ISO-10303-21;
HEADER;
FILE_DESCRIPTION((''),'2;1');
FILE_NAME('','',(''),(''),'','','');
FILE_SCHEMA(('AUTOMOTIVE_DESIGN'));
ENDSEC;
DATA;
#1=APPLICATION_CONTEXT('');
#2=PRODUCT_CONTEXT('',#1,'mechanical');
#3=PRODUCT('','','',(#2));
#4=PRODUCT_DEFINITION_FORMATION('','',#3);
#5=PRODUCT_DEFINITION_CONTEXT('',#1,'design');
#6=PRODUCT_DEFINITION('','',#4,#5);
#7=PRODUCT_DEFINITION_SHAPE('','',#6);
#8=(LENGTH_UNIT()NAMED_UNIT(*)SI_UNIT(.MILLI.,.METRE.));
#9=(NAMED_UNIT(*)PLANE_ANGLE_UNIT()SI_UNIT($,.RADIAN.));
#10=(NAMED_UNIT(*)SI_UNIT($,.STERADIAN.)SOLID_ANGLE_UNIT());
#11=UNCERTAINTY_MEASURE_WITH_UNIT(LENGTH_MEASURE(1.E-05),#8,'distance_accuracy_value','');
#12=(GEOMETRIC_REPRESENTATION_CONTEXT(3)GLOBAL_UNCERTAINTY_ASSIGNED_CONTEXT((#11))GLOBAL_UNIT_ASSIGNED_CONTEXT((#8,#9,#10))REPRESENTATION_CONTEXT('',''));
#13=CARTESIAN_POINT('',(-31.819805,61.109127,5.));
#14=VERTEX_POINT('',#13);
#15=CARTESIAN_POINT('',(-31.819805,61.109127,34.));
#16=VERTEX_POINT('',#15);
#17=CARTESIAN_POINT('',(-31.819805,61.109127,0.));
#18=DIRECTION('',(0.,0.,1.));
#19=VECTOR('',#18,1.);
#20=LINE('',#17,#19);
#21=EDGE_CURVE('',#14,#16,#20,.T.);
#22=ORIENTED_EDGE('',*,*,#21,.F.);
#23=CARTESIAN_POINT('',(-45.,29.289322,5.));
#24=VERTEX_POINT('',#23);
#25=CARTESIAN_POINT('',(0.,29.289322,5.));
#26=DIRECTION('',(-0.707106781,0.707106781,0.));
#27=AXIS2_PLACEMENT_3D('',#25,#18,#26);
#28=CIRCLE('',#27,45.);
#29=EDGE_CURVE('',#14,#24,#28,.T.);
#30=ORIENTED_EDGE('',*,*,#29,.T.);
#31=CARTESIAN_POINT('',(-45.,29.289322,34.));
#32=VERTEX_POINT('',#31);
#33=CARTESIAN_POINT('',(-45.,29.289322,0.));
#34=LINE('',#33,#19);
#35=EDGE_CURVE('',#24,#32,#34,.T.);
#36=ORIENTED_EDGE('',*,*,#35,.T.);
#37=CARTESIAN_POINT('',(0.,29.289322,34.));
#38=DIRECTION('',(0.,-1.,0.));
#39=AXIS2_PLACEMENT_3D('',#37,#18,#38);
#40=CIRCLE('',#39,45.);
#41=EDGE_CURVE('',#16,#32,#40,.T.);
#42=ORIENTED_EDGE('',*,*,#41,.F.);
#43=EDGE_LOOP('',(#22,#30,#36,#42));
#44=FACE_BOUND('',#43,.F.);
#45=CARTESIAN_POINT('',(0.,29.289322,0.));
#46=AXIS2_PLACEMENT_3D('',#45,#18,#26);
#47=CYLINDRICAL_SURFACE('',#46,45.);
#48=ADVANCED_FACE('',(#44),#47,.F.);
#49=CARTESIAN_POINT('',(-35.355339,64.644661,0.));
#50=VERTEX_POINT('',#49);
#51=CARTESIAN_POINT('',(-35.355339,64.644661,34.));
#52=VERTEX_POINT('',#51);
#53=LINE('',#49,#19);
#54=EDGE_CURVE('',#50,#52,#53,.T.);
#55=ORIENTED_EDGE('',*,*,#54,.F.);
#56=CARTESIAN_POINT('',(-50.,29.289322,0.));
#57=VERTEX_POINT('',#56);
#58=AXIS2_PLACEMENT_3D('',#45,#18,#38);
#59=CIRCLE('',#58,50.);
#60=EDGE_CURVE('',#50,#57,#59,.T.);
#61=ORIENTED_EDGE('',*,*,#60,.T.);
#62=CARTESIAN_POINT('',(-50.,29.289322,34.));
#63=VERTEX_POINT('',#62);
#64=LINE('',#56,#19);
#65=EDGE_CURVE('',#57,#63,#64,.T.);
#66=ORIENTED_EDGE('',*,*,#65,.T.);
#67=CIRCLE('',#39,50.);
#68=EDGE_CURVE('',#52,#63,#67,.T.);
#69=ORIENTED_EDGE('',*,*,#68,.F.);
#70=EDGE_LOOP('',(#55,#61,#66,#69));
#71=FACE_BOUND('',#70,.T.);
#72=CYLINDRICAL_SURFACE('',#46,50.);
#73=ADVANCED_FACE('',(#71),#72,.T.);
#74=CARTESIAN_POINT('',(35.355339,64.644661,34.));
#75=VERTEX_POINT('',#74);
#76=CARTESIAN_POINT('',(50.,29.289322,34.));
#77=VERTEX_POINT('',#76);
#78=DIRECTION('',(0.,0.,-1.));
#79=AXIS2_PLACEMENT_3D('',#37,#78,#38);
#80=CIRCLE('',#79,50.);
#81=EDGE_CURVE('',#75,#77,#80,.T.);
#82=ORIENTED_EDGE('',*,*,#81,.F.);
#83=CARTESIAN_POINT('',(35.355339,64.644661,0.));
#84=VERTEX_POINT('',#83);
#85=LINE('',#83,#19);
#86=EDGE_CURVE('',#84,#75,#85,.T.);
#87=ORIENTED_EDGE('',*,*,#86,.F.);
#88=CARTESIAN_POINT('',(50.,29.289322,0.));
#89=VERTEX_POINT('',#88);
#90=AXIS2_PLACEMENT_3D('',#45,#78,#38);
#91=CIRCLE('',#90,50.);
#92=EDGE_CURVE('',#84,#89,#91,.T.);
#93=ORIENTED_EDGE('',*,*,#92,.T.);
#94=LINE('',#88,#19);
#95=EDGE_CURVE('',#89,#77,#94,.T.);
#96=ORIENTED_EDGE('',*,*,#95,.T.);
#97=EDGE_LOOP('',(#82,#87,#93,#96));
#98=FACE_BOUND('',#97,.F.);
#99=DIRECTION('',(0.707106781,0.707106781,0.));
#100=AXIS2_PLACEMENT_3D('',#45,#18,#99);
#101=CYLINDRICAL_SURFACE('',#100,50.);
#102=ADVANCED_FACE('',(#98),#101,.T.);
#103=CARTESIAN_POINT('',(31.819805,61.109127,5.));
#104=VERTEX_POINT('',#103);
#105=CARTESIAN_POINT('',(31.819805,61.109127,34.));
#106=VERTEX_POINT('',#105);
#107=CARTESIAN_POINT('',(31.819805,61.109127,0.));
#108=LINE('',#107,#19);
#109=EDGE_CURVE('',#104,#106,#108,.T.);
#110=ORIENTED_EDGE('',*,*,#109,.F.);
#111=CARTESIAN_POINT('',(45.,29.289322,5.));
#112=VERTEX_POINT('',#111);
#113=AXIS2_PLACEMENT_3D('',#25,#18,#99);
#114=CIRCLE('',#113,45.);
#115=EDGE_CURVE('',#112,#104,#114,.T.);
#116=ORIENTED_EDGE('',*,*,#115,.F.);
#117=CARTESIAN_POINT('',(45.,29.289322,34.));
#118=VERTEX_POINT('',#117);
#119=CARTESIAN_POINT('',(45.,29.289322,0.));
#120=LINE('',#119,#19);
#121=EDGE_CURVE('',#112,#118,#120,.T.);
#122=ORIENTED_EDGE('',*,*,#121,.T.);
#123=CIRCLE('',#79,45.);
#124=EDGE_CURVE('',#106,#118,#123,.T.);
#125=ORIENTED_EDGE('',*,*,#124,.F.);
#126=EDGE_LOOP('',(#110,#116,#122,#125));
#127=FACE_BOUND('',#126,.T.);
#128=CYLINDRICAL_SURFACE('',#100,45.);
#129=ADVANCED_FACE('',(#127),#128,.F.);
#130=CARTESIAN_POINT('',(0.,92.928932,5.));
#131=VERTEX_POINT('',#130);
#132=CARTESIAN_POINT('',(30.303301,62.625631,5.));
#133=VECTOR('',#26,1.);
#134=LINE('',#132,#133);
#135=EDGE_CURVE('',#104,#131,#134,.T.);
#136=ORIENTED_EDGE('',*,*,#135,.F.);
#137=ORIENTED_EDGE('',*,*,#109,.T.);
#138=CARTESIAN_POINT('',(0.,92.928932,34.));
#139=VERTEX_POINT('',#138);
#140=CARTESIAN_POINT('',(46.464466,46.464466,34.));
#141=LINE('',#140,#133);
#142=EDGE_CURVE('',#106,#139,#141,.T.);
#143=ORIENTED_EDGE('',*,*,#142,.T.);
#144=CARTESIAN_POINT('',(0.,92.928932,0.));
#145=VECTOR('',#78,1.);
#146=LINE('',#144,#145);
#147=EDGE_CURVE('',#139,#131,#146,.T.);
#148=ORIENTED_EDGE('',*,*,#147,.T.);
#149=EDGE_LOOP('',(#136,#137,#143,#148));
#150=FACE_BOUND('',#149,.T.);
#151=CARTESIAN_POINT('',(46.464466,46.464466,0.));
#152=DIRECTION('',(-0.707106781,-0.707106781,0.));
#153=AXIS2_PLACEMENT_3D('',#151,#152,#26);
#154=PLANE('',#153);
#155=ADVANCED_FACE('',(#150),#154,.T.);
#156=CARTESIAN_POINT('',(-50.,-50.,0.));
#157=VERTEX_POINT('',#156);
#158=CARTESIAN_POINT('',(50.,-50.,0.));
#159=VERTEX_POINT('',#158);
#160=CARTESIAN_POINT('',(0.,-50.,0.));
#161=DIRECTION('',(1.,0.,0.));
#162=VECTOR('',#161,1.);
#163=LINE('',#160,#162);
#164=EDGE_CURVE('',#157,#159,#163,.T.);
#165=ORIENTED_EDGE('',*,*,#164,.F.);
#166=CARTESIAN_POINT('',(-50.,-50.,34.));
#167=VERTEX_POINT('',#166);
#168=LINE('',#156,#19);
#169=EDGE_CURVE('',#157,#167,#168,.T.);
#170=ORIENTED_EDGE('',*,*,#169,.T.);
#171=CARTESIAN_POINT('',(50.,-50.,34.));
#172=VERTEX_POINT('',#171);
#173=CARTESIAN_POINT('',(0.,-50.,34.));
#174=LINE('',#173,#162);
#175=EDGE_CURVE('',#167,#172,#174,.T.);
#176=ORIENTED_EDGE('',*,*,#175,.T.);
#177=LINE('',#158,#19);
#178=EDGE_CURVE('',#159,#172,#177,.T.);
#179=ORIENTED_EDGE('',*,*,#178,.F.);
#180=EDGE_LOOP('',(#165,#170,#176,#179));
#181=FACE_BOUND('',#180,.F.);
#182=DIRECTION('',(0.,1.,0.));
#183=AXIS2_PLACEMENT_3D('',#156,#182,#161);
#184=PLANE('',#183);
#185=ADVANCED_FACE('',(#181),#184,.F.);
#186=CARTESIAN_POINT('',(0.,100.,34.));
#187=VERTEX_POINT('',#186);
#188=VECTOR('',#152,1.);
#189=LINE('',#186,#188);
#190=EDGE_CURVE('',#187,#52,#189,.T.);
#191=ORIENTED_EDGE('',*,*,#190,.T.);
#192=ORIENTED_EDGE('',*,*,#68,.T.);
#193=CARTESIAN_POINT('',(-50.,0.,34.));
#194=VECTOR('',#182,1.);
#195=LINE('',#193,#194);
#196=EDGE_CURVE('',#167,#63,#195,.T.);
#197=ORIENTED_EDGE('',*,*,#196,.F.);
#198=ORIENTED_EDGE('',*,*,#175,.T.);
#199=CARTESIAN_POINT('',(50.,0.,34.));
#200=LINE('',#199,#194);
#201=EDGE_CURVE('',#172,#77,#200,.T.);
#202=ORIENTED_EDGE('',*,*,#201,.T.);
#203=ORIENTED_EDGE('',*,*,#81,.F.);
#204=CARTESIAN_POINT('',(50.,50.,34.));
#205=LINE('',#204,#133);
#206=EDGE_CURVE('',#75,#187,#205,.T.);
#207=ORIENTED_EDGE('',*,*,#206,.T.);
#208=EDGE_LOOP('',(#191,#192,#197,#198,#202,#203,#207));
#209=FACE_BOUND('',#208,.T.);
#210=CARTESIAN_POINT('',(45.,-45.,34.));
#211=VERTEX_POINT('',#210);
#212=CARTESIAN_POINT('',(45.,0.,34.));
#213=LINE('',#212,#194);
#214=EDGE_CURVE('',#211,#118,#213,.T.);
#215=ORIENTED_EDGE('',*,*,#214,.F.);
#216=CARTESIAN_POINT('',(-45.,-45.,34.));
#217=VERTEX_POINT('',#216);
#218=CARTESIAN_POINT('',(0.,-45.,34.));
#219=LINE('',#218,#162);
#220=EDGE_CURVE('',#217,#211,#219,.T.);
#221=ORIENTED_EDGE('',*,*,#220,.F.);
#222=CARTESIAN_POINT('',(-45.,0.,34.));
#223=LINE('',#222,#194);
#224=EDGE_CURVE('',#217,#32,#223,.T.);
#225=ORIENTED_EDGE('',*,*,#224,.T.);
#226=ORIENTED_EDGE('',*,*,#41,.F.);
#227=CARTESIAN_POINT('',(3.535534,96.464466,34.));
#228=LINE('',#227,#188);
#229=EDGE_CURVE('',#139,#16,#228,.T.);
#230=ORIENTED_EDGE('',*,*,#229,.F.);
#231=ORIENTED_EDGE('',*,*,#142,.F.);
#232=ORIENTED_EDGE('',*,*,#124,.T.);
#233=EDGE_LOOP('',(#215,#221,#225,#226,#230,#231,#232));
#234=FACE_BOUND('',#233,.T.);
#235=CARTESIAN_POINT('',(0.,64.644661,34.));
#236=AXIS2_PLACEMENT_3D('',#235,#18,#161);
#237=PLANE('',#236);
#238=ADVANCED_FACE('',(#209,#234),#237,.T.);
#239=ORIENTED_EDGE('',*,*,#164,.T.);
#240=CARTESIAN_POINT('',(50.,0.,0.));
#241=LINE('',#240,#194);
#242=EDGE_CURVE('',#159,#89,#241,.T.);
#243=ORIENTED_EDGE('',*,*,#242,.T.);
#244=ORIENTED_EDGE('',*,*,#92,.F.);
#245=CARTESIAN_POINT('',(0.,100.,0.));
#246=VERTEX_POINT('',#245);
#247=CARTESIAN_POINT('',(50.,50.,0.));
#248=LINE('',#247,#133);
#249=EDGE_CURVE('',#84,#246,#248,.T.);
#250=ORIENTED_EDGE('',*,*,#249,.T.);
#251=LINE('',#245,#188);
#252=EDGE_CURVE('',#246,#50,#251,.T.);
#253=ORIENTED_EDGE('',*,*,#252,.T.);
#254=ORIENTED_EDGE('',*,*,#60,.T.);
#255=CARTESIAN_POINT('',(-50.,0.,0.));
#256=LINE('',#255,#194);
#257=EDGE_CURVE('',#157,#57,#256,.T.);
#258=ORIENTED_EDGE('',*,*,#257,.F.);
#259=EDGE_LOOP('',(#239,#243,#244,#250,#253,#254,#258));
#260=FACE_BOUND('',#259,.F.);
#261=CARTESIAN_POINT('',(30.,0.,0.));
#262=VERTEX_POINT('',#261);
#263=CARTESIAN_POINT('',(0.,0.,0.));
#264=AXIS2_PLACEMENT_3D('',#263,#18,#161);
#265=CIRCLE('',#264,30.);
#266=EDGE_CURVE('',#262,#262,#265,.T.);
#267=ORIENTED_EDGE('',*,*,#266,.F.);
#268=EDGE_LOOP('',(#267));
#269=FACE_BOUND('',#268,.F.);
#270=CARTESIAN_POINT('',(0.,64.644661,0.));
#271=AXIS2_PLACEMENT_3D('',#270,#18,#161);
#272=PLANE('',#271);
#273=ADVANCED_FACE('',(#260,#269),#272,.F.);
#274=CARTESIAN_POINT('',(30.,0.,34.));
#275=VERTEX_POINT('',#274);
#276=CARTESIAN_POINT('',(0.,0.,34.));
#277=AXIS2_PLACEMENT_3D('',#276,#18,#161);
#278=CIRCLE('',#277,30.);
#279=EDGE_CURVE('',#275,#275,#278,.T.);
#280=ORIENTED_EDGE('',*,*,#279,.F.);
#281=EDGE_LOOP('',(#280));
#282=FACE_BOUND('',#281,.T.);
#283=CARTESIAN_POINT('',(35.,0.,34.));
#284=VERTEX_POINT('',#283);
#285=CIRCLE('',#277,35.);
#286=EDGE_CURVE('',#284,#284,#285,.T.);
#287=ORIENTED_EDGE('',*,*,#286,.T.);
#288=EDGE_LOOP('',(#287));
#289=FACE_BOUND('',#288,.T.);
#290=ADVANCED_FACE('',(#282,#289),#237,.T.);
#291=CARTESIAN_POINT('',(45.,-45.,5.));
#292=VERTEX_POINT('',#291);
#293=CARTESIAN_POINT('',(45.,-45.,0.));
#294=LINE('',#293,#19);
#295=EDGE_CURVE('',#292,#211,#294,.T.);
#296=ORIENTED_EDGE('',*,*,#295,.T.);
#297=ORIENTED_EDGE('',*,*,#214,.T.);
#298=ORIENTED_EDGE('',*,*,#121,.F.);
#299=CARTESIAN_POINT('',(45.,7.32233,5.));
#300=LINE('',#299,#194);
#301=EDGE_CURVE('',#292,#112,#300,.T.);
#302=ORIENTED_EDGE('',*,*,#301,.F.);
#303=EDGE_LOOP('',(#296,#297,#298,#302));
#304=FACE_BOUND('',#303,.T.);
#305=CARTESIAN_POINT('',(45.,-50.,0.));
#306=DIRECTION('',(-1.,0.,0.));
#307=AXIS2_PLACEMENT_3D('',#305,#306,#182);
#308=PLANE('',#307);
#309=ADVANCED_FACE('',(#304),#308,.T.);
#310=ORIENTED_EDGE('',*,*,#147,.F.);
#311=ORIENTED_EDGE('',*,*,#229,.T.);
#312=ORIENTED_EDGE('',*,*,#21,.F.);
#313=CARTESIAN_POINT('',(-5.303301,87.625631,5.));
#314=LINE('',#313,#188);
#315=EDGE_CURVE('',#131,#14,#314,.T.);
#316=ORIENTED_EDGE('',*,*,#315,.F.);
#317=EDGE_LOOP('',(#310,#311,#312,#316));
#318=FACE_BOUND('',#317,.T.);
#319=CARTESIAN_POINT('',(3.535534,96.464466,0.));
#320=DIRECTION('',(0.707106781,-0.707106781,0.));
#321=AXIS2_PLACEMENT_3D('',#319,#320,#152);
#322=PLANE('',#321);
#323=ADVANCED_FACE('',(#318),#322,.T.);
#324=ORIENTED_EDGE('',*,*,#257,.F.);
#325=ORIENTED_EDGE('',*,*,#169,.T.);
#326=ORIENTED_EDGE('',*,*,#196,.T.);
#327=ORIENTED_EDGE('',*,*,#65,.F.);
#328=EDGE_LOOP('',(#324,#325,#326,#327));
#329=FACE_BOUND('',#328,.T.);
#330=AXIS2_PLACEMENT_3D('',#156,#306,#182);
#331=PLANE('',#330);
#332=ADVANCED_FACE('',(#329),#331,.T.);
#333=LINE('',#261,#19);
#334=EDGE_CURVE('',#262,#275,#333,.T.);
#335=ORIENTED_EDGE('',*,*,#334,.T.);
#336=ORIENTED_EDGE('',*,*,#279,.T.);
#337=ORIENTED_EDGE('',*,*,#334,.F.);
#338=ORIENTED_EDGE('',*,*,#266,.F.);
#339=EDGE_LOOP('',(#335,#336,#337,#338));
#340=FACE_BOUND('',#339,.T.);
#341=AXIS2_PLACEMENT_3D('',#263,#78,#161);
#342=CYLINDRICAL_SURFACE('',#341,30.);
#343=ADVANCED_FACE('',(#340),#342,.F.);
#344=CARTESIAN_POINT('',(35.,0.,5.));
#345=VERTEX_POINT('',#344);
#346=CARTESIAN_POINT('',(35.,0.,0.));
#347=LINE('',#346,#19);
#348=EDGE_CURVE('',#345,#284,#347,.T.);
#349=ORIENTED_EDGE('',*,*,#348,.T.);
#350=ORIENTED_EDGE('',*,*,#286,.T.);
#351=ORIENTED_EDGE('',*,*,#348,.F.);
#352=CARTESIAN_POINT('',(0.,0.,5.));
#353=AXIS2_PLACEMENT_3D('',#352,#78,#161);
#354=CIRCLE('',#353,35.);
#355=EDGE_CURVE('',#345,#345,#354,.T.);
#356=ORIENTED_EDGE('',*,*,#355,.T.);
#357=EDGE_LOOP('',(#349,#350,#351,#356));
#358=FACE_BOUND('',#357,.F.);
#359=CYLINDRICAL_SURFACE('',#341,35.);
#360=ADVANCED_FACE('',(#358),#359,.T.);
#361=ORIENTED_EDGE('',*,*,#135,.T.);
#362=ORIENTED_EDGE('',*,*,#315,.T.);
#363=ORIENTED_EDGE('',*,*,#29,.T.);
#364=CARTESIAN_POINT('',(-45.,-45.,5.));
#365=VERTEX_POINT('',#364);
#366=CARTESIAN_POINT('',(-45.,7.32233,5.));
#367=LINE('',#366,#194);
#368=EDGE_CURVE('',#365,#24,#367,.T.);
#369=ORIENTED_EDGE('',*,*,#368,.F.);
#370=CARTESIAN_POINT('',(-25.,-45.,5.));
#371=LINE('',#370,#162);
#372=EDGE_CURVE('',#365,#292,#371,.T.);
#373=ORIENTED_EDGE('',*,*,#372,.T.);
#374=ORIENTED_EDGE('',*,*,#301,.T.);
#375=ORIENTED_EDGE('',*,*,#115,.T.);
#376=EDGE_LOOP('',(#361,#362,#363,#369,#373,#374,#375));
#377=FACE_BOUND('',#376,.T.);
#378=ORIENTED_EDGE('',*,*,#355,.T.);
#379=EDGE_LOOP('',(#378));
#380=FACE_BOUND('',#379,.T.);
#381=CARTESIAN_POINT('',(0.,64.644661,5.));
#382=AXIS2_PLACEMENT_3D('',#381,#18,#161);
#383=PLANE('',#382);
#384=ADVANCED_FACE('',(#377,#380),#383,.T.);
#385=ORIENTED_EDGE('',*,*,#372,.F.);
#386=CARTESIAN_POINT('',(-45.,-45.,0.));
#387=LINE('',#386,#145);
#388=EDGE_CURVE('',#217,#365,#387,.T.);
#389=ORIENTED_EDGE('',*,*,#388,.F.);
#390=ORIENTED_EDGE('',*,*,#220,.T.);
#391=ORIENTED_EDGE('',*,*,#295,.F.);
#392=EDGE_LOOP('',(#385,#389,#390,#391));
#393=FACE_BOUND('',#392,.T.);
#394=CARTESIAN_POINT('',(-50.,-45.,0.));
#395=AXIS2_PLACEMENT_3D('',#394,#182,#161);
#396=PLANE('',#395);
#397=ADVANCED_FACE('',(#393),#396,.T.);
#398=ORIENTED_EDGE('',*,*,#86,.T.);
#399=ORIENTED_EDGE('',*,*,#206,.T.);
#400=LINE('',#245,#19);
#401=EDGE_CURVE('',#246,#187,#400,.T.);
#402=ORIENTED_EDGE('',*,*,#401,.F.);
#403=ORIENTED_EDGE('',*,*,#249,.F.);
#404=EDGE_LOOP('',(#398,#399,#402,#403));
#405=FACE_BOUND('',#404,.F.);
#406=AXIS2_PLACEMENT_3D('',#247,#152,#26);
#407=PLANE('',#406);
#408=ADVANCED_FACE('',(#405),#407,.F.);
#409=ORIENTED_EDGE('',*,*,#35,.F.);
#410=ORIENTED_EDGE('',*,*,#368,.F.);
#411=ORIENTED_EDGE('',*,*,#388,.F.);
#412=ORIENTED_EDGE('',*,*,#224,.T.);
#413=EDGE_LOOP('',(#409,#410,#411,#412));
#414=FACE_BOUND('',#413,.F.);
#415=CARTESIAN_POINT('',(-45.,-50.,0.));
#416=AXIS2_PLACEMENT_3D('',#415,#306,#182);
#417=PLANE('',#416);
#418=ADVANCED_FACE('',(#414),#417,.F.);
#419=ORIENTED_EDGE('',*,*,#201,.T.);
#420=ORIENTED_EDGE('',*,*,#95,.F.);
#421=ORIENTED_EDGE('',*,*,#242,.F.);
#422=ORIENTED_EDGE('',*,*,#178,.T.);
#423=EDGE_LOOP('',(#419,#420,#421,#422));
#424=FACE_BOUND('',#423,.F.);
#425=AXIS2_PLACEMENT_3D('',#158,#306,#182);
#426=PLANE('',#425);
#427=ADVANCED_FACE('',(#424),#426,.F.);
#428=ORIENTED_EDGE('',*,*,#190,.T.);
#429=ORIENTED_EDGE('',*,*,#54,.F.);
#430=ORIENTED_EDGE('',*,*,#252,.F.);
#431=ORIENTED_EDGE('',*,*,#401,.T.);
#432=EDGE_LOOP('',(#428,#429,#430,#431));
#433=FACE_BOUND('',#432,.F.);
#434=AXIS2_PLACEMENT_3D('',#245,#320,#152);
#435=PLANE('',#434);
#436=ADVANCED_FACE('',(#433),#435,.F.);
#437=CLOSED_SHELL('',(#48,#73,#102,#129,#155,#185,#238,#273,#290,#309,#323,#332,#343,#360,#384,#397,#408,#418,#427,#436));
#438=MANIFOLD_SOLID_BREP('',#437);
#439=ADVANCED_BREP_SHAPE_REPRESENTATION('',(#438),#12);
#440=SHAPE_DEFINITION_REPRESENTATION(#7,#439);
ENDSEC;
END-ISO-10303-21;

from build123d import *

# Parameters (mm, degrees)
F0_W     = 100
F0_H     = 100
F0_R     = 30
F1_DEPTH = 34
F2_R     = 50
F3_T     = -5


with BuildPart() as f1:
    # F0 (on Top) → F1 (new body)
    with BuildSketch(Plane.XY):
        Polygon((0, 100), (-50, 50), (50, 50), align=None)
        Rectangle(F0_W, F0_H)
        Circle(F0_R, mode=Mode.SUBTRACT)
    extrude(amount=F1_DEPTH)

    # F2
    f2_edges = [f1.edges().sort_by_distance(p)[0] for p in [
        (-50, 50, 17),
        (50, 50, 17),
    ]]
    fillet(f2_edges, radius=F2_R)

    # F3
    f3_openings = [f1.faces().sort_by_distance(p)[0] for p in [
        (-16.402915, 81.047576, 34),
    ]]
    offset(amount=F3_T, openings=f3_openings)


solid = f1.part
